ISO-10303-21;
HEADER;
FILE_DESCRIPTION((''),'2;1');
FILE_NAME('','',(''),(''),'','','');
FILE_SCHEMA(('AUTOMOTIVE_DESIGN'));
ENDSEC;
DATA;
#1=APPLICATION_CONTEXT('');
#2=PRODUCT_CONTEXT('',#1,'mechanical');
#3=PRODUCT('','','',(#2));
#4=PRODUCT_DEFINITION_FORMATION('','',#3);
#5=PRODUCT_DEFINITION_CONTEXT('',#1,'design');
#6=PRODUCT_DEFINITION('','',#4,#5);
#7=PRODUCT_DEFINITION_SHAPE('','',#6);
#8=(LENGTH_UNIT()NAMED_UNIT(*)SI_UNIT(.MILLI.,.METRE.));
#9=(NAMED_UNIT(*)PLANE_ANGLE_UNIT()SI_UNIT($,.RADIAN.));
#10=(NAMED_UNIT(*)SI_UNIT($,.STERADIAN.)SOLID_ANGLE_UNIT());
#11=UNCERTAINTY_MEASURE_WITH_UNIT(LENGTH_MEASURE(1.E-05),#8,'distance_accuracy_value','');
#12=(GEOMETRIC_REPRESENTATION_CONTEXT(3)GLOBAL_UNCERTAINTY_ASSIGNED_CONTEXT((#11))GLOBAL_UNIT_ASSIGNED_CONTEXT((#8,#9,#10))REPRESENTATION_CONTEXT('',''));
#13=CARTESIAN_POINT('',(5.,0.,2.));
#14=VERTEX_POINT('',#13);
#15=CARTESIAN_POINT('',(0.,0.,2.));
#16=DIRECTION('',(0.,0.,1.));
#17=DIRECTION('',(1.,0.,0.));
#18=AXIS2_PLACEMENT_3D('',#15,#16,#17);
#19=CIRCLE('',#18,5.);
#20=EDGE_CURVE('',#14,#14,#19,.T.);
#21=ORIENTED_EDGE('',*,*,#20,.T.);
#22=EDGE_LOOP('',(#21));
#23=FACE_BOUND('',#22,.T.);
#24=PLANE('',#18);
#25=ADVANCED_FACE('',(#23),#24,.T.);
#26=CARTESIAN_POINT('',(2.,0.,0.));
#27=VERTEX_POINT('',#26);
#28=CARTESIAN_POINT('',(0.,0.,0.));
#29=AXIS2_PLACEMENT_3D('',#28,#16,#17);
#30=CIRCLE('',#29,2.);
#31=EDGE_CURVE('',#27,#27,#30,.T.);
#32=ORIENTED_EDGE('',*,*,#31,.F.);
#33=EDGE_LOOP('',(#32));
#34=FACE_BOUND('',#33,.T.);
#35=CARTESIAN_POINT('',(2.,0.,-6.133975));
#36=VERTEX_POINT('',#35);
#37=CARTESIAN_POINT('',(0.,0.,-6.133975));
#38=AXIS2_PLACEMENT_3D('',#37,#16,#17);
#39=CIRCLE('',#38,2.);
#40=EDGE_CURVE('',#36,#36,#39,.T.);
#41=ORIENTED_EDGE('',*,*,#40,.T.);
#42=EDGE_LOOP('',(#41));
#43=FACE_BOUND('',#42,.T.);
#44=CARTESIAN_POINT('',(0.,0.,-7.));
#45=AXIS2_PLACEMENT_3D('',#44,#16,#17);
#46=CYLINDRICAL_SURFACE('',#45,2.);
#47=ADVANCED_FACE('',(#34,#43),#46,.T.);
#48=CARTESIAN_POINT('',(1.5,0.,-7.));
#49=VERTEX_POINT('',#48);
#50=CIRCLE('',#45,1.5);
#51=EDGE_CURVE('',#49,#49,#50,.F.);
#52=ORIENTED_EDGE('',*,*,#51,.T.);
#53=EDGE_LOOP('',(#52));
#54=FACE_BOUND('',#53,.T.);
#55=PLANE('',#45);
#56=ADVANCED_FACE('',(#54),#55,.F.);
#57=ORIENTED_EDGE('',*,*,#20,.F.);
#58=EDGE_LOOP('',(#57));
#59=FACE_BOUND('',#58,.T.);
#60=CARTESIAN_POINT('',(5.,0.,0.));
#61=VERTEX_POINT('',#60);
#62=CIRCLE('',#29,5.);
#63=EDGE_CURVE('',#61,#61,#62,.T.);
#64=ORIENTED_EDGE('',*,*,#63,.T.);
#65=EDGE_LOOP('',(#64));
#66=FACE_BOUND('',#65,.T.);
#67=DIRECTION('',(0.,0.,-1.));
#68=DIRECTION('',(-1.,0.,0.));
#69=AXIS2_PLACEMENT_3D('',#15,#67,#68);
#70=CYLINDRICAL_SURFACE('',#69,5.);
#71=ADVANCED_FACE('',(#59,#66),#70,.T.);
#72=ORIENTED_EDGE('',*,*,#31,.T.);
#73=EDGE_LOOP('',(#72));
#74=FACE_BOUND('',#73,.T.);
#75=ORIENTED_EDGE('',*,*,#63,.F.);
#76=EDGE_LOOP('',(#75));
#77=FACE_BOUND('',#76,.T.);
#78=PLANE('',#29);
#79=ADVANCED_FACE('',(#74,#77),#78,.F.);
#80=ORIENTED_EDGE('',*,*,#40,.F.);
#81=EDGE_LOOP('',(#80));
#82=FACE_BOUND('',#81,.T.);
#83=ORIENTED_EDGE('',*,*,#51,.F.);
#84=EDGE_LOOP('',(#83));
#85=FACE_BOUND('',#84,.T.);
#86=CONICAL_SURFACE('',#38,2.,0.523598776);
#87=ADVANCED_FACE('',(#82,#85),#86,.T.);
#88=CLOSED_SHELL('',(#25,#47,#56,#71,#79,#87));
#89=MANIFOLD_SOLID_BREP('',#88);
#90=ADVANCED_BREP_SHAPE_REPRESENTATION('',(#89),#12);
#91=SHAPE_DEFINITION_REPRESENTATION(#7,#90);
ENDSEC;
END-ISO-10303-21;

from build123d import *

# Parameters (mm, degrees)
CROQUIS1_R              = 5
SALIENTE_EXTRUIR1_DEPTH = 2
CROQUIS2_R              = 2
SALIENTE_EXTRUIR2_DEPTH = 7
CHAFL_N1_SIZE           = 0.5
CHAFL_N1_SIZE2          = 0.866025404


with BuildPart() as part:
    # Croquis1 → Saliente-Extruir1 (new body)
    with BuildSketch(Plane.XY):
        Circle(CROQUIS1_R)
    extrude(amount=SALIENTE_EXTRUIR1_DEPTH)

    # Croquis2 → Saliente-Extruir2 (add)
    with BuildSketch(Plane.XY):
        Circle(CROQUIS2_R)
    extrude(amount=-SALIENTE_EXTRUIR2_DEPTH)

    # Chaflán1
    chafl_n1_edges = [part.edges().sort_by_distance(p)[0] for p in [
        (-2, 0, -7),
    ]]
    chafl_n1_side = [part.faces().sort_by_distance(p)[0] for p in [
        (0, 0, -7),
    ]]
    chamfer(chafl_n1_edges, length=CHAFL_N1_SIZE, length2=CHAFL_N1_SIZE2, reference=chafl_n1_side[0])


solid = part.part
